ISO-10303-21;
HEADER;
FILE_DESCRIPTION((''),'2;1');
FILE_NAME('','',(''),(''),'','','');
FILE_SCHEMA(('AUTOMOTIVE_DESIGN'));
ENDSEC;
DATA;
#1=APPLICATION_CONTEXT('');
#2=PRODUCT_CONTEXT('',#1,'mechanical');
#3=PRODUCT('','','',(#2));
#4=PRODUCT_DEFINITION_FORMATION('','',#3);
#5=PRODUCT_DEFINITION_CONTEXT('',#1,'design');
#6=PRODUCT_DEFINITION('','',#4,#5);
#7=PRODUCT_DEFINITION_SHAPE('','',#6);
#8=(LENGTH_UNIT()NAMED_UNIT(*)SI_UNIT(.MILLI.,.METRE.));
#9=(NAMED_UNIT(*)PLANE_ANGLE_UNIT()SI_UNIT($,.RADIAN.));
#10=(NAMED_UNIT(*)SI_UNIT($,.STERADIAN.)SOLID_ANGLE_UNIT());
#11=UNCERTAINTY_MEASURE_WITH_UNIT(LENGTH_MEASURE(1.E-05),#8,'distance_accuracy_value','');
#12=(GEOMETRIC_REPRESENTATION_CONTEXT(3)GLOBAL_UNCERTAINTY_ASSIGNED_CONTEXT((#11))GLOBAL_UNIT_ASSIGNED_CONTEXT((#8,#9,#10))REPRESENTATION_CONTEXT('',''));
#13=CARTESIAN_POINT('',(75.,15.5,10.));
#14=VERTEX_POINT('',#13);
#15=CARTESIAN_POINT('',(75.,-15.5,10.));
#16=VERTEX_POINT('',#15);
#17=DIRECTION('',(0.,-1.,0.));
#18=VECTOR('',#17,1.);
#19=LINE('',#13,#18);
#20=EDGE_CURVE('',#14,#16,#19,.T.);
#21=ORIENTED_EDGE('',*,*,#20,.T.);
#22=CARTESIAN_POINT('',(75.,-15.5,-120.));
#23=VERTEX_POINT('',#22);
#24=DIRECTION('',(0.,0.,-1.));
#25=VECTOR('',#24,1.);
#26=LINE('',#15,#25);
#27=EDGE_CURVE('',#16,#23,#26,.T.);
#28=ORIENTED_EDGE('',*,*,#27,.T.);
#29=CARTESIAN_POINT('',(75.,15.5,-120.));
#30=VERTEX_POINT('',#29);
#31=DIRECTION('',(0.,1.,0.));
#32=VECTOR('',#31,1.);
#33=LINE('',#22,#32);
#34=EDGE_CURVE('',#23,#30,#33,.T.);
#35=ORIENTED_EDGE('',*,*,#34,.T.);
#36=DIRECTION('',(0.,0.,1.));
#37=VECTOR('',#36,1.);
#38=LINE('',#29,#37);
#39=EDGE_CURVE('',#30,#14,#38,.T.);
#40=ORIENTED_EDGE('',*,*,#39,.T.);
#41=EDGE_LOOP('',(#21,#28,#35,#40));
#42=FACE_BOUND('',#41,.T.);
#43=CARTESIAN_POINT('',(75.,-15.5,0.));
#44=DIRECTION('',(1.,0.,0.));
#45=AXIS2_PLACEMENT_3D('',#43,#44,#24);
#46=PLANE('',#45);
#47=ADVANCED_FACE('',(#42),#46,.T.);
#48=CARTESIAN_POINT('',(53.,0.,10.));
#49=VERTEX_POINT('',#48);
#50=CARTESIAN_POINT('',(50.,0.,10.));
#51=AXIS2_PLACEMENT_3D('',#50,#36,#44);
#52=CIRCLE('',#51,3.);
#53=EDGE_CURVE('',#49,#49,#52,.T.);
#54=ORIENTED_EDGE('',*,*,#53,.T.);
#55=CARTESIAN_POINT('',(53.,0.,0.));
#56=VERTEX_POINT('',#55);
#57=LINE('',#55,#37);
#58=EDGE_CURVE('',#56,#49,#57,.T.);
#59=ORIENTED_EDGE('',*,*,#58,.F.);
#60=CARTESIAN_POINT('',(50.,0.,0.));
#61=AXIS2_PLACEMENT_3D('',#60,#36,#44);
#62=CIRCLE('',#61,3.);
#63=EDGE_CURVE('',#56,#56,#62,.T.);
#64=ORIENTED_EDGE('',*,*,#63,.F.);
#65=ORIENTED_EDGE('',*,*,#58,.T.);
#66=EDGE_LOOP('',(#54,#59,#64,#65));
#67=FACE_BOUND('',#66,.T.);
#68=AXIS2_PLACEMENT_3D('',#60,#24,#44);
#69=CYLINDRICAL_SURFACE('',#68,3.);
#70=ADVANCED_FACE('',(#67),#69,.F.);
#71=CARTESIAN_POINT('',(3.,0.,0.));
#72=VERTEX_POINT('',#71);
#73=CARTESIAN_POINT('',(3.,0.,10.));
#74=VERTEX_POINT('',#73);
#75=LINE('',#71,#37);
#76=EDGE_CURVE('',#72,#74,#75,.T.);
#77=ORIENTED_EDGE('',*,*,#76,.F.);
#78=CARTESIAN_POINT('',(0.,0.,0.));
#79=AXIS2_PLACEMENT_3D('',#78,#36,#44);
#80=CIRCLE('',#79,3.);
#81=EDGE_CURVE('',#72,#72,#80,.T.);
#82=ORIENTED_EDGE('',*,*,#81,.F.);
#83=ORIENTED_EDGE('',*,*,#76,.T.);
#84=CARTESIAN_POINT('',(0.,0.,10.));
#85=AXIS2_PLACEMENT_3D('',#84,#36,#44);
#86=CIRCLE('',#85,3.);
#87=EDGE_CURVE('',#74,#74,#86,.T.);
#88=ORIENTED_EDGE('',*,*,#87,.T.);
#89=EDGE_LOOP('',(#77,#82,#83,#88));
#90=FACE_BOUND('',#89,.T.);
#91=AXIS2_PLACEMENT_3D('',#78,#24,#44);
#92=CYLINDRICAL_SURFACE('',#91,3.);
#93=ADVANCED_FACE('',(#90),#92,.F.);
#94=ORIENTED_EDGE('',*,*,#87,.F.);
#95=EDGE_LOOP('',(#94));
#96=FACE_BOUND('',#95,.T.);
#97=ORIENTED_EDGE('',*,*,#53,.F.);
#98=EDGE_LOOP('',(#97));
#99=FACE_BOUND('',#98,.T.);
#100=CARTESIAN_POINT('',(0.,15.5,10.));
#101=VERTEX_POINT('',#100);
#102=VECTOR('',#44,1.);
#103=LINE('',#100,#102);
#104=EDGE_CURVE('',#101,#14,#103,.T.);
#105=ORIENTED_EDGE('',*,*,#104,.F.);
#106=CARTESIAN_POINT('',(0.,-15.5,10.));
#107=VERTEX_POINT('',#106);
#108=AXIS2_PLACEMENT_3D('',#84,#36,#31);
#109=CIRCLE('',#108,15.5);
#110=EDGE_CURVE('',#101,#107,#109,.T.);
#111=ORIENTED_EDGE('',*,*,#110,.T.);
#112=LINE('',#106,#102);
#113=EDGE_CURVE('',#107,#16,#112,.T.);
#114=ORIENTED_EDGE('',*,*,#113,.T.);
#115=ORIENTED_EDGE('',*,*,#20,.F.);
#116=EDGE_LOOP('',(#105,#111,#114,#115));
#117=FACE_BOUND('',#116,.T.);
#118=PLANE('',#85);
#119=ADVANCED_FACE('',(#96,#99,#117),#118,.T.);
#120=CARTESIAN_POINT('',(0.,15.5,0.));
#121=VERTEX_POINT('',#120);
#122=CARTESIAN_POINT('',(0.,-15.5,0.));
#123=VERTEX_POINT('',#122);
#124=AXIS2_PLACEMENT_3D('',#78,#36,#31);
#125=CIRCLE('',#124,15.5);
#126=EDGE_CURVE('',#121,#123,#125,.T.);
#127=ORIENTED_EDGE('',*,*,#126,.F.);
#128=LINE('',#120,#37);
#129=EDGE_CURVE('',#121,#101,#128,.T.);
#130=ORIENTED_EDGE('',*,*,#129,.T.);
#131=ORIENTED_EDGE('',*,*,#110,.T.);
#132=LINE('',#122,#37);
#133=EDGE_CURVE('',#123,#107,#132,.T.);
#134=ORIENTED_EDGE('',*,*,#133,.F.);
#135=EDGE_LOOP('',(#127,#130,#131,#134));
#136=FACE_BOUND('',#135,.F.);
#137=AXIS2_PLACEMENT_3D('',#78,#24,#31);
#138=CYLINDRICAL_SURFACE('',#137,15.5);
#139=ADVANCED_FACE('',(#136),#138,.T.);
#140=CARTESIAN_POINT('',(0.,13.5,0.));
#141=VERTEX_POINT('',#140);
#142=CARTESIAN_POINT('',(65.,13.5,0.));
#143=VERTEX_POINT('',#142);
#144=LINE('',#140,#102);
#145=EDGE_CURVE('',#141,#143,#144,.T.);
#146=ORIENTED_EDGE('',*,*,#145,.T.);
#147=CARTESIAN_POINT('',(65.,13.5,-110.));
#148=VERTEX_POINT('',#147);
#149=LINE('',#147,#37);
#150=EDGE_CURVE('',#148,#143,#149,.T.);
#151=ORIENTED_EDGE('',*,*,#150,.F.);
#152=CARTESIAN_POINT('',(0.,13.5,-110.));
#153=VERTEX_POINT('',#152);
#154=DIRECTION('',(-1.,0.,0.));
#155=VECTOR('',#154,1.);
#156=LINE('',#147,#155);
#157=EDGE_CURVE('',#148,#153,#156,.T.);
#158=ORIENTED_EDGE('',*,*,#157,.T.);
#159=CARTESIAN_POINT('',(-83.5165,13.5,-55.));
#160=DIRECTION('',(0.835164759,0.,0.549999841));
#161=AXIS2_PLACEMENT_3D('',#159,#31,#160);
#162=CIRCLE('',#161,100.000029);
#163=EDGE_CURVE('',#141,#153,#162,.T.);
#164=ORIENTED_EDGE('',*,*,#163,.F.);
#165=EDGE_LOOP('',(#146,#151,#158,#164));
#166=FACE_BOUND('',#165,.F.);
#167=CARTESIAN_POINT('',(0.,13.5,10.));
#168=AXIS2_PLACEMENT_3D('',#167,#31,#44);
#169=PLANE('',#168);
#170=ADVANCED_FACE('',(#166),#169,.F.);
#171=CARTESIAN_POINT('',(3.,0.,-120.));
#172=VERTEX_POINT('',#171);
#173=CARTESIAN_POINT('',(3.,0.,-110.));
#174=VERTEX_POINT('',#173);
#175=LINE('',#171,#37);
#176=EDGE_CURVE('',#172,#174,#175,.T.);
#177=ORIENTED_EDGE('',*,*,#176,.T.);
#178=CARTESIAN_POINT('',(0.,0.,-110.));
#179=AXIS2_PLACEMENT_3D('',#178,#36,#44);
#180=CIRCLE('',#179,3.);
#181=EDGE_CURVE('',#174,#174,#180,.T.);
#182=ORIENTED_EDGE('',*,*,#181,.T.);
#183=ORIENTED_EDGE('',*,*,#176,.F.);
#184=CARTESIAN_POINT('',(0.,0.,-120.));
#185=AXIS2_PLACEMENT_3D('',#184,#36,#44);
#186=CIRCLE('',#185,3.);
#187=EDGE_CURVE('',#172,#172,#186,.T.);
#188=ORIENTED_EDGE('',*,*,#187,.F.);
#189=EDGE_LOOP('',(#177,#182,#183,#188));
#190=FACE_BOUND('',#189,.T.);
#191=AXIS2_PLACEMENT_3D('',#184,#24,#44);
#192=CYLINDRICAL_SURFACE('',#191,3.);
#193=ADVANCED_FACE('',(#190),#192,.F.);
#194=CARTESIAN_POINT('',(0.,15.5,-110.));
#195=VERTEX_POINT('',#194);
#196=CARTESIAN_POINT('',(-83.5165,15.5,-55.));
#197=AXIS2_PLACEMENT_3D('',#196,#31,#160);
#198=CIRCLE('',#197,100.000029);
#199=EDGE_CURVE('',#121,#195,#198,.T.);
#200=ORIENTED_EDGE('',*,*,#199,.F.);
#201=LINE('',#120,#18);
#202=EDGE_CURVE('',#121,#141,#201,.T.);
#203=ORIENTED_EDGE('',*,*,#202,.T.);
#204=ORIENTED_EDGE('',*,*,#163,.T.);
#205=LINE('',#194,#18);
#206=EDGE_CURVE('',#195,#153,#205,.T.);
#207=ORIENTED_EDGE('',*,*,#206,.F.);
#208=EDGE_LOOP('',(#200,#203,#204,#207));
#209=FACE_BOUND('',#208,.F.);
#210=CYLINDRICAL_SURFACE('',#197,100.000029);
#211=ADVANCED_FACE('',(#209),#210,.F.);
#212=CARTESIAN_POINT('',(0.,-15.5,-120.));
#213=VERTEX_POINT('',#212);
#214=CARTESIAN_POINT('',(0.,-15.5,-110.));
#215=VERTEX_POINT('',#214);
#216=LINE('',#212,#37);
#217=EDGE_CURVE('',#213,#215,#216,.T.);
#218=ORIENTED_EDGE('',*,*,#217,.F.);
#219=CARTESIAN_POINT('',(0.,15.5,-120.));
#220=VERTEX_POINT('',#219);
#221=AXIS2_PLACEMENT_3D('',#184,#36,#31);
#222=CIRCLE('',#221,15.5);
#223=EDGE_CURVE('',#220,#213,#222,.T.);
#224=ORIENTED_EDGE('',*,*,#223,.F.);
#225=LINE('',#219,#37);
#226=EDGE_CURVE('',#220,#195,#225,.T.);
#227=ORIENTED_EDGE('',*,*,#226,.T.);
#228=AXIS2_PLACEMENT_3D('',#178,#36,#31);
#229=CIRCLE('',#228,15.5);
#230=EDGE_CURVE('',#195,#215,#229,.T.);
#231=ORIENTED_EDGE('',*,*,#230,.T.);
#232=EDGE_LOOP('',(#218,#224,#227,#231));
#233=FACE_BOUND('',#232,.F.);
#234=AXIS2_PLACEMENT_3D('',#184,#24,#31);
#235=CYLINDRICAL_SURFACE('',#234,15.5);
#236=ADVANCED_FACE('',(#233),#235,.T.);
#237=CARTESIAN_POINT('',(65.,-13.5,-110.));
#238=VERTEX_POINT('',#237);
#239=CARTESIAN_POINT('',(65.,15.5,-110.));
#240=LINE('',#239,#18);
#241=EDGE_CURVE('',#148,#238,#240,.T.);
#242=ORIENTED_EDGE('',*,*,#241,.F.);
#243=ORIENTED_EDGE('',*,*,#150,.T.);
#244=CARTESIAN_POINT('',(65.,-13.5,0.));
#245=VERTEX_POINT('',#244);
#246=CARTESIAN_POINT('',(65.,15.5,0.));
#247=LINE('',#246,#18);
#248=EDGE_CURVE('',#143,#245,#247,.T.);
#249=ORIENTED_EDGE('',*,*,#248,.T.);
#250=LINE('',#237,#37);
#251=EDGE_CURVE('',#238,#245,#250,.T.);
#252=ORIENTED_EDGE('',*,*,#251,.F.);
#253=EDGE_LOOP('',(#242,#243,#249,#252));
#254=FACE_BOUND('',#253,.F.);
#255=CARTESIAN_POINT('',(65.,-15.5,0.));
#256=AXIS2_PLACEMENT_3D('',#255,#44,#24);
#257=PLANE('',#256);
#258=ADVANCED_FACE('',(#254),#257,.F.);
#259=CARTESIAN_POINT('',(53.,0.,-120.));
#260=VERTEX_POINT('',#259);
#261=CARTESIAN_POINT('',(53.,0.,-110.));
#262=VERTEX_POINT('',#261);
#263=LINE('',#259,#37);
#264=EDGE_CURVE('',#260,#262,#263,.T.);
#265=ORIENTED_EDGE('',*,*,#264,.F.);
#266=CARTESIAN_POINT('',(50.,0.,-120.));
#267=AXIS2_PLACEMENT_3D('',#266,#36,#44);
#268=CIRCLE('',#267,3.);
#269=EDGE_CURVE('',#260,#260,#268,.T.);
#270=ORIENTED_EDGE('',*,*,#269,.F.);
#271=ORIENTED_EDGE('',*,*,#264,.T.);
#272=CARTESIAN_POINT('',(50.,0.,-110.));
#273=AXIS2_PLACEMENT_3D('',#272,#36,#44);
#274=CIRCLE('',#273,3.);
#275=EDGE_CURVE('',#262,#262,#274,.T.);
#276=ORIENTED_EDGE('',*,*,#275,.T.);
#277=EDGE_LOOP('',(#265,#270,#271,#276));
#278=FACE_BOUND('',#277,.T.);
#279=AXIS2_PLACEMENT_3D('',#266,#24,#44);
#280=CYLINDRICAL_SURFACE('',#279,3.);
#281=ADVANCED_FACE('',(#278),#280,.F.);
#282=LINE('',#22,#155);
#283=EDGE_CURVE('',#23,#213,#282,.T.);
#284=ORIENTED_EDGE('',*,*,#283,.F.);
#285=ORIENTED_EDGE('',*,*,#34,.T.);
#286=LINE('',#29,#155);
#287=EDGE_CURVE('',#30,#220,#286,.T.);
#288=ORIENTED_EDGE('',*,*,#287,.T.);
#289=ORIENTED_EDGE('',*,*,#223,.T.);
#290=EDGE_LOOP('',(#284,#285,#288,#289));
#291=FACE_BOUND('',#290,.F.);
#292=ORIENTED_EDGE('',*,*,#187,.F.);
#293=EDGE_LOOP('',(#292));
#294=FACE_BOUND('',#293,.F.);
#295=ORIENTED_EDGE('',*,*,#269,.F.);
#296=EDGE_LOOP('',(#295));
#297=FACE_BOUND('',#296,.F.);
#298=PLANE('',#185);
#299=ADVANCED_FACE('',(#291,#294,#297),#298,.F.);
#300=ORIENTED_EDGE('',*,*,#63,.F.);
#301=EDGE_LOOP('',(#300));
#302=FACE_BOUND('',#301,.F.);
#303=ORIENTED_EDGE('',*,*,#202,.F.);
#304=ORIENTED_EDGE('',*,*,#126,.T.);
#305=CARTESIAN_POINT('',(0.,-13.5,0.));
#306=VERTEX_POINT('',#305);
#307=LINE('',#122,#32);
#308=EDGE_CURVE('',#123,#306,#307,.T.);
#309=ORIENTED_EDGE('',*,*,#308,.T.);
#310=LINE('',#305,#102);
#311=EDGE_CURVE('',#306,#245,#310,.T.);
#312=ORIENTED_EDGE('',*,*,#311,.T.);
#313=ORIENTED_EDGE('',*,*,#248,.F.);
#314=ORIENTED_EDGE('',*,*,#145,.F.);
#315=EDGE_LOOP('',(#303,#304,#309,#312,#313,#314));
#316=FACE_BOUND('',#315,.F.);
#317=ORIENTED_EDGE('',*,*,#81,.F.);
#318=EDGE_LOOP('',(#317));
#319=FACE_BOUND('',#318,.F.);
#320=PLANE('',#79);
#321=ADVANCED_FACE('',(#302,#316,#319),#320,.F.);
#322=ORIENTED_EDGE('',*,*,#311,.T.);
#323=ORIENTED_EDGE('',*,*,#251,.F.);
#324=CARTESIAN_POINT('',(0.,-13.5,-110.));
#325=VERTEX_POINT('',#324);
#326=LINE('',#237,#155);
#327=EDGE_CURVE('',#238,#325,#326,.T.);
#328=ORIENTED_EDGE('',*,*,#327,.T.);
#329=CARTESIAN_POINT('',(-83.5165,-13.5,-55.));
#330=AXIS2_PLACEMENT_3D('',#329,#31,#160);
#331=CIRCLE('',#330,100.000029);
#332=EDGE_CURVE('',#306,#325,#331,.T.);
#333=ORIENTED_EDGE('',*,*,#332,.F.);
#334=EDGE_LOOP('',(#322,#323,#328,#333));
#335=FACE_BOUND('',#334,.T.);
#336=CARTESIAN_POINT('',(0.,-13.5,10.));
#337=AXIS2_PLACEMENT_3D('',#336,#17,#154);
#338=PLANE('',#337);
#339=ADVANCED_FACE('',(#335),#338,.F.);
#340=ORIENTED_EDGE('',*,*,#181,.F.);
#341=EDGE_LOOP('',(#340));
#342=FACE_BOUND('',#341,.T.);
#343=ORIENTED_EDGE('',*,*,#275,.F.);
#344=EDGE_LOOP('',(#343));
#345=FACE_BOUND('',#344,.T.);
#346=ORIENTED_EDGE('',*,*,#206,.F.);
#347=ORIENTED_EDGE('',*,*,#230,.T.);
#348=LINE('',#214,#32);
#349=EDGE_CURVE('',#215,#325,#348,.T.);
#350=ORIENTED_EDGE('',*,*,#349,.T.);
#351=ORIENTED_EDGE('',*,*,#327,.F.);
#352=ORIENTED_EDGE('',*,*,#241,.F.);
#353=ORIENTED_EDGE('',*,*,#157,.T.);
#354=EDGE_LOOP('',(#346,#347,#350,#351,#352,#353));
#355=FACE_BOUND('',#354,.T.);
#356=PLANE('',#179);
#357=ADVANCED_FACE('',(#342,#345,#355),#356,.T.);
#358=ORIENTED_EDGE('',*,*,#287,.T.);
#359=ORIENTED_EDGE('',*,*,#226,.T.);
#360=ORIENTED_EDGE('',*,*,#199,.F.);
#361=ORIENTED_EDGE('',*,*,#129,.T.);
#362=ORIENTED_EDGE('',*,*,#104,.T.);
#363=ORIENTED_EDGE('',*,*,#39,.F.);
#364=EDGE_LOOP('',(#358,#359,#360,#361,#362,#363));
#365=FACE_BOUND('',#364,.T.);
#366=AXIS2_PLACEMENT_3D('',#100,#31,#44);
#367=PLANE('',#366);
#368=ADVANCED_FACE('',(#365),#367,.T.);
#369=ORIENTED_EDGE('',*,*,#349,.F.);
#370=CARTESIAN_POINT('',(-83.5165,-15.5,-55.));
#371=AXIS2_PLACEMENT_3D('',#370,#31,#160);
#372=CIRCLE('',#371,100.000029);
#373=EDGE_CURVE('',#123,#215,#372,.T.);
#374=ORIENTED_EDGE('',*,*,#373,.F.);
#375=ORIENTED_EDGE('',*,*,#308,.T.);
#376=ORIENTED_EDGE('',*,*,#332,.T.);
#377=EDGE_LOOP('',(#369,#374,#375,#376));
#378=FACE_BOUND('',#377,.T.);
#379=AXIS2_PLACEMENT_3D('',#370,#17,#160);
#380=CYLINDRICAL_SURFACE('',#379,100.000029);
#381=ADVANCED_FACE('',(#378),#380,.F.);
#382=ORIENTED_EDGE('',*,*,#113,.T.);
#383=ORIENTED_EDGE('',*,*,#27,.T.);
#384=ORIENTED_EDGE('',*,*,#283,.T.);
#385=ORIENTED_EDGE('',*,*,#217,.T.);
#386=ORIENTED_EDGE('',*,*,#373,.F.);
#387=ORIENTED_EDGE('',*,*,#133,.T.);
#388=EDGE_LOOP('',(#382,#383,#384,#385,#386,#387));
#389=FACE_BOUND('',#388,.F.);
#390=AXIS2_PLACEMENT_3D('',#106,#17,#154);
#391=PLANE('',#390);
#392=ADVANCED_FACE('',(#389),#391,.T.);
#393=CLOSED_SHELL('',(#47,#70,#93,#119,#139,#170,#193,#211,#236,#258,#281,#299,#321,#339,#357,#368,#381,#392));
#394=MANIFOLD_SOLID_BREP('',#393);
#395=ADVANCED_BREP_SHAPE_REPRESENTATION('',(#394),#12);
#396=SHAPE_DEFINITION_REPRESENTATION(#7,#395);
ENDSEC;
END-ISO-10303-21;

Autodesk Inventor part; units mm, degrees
ref_plane "YZ Plane" through (0, 0, 0) normal (1, 0, 0) x (0, 1, 0)
ref_plane "XZ Plane" through (0, 0, 0) normal (0, 1, 0) x (-1, 0, 0)
ref_plane "XY Plane" through (0, 0, 0) normal (0, 0, 1) x (1, 0, 0)
sketch "Sketch1" plane through (0, 0, 0) normal (0, 0, 1) x (1, 0, 0)
  circle A0 centre (0, 0) radius 3
  circle A1 centre (50, 0) radius 3
  line L0 (0, 15.5) -> (65, 15.5)
  line L1 (65, 15.5) -> (65, -15.5)
  line L2 (65, -15.5) -> (0, -15.5)
  arc A2 (0, 15.5) -> (0, -15.5) centre (0, 0) ccw
  dimension "d0" = 6
  dimension "d2" = 50
  dimension "d3" = 15
  dimension "d4" = 31
extrude "Extrusion1" add sketch "Sketch1" along normal blind 10
sketch "Sketch2" plane through (65, -15.5, 0) normal (1, 0, 0) x (0, 0, -1)
  line L0 (-10, 0) -> (120, 0)
  line L1 (120, 0) -> (120, 31)
  line L2 (120, 31) -> (-10, 31)
  line L3 (-10, 31) -> (-10, 0)
  point P0 (0, 15.5)
  dimension "d7" = 130
extrude "Extrusion2" add sketch "Sketch2" along normal blind 10
pattern_linear "Rectangular Pattern1" count 2 spacing 120 along (0, 0, -1) of "Extrusion1"
sketch "Sketch3" plane through (0, 15.5, 10) normal (0, 1, 0) x (1, 0, 0)
  line L0 (0, 10) -> (65, 10) projected
  line L1 (65, 120) -> (0, 120) projected
  line L2 (65, 120) -> (65, 10) projected
  arc A0 (0, 10) -> (0, 120) centre (-83.5165, 65) ccw
  dimension "d13" = 100
extrude "Extrusion3" add sketch "Sketch3" against normal blind 2
mirror "Mirror1" about plane through (0, 0, 0) normal (0, 1, 0) of "Extrusion3"
properties part number "FRONT"
